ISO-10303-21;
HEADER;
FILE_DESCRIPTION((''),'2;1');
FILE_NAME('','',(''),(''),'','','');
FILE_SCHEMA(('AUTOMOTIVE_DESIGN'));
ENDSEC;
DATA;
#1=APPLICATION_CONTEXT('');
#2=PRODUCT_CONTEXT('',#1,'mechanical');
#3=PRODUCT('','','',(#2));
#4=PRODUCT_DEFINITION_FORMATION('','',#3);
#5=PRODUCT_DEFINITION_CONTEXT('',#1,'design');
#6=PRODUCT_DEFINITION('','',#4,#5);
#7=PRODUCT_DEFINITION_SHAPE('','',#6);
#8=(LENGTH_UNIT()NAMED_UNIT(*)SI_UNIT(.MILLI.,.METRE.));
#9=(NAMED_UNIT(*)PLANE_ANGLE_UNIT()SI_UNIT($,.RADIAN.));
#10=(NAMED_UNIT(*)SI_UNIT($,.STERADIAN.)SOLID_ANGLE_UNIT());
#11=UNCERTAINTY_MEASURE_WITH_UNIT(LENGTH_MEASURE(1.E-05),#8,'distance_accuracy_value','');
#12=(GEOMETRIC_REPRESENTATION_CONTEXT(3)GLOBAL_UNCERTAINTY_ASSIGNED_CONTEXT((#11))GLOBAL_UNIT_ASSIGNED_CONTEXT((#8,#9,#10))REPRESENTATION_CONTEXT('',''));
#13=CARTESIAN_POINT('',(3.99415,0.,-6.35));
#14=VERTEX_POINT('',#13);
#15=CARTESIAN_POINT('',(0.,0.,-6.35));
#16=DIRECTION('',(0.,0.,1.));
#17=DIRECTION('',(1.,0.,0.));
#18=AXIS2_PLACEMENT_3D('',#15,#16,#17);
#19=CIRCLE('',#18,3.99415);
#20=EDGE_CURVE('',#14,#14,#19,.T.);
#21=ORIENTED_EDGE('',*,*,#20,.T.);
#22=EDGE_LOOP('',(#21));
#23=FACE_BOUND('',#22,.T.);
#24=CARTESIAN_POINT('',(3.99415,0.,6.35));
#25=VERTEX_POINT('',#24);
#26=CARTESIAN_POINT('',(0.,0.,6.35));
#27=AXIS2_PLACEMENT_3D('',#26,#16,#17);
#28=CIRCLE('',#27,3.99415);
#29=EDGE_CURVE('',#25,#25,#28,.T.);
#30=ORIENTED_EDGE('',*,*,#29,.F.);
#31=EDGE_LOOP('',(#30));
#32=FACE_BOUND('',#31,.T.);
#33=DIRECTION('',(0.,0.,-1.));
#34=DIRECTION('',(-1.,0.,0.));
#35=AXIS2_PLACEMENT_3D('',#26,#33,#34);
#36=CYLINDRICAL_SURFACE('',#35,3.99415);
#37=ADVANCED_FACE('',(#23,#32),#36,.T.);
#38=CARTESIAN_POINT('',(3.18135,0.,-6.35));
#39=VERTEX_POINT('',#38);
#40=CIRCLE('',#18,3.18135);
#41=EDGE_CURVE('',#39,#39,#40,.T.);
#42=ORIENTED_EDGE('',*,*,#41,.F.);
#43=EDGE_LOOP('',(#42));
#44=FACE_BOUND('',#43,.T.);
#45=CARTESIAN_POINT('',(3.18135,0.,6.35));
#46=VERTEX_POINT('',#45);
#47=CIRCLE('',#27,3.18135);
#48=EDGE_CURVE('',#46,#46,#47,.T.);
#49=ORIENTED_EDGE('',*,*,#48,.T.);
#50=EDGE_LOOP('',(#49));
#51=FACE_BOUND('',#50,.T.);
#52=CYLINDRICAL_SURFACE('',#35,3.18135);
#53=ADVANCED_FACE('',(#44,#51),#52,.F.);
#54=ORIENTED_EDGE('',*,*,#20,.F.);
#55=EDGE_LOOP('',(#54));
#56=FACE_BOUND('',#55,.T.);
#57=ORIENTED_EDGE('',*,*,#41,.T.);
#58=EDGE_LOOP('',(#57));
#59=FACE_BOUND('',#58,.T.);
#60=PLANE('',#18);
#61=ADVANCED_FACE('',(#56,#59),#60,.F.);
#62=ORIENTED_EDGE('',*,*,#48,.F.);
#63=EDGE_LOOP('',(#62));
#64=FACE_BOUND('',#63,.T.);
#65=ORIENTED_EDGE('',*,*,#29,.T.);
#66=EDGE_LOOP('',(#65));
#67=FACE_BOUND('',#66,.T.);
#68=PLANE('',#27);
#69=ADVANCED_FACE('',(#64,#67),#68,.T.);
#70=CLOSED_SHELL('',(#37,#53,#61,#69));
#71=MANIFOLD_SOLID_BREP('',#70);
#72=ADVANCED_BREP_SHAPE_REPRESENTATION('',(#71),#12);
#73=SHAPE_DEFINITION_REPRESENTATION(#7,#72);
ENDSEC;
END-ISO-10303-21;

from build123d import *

# Parameters (mm, degrees)
BOSS_EXTRUDE1_DEPTH      = 6.35
BOSS_EXTRUDE1_DEPTH_BACK = 6.35
SKETCH5_R                = 3.99415
SKETCH5_R_2              = 3.18135


with BuildPart() as part:
    # Sketch5 → Boss-Extrude1 (new, two sides: drawn at the far end of the back side and taken through both)
    with BuildSketch(Plane.XY.offset(-BOSS_EXTRUDE1_DEPTH_BACK)):
        Circle(SKETCH5_R)
        Circle(SKETCH5_R_2, mode=Mode.SUBTRACT)
    extrude(amount=BOSS_EXTRUDE1_DEPTH + BOSS_EXTRUDE1_DEPTH_BACK)


solid = part.part
